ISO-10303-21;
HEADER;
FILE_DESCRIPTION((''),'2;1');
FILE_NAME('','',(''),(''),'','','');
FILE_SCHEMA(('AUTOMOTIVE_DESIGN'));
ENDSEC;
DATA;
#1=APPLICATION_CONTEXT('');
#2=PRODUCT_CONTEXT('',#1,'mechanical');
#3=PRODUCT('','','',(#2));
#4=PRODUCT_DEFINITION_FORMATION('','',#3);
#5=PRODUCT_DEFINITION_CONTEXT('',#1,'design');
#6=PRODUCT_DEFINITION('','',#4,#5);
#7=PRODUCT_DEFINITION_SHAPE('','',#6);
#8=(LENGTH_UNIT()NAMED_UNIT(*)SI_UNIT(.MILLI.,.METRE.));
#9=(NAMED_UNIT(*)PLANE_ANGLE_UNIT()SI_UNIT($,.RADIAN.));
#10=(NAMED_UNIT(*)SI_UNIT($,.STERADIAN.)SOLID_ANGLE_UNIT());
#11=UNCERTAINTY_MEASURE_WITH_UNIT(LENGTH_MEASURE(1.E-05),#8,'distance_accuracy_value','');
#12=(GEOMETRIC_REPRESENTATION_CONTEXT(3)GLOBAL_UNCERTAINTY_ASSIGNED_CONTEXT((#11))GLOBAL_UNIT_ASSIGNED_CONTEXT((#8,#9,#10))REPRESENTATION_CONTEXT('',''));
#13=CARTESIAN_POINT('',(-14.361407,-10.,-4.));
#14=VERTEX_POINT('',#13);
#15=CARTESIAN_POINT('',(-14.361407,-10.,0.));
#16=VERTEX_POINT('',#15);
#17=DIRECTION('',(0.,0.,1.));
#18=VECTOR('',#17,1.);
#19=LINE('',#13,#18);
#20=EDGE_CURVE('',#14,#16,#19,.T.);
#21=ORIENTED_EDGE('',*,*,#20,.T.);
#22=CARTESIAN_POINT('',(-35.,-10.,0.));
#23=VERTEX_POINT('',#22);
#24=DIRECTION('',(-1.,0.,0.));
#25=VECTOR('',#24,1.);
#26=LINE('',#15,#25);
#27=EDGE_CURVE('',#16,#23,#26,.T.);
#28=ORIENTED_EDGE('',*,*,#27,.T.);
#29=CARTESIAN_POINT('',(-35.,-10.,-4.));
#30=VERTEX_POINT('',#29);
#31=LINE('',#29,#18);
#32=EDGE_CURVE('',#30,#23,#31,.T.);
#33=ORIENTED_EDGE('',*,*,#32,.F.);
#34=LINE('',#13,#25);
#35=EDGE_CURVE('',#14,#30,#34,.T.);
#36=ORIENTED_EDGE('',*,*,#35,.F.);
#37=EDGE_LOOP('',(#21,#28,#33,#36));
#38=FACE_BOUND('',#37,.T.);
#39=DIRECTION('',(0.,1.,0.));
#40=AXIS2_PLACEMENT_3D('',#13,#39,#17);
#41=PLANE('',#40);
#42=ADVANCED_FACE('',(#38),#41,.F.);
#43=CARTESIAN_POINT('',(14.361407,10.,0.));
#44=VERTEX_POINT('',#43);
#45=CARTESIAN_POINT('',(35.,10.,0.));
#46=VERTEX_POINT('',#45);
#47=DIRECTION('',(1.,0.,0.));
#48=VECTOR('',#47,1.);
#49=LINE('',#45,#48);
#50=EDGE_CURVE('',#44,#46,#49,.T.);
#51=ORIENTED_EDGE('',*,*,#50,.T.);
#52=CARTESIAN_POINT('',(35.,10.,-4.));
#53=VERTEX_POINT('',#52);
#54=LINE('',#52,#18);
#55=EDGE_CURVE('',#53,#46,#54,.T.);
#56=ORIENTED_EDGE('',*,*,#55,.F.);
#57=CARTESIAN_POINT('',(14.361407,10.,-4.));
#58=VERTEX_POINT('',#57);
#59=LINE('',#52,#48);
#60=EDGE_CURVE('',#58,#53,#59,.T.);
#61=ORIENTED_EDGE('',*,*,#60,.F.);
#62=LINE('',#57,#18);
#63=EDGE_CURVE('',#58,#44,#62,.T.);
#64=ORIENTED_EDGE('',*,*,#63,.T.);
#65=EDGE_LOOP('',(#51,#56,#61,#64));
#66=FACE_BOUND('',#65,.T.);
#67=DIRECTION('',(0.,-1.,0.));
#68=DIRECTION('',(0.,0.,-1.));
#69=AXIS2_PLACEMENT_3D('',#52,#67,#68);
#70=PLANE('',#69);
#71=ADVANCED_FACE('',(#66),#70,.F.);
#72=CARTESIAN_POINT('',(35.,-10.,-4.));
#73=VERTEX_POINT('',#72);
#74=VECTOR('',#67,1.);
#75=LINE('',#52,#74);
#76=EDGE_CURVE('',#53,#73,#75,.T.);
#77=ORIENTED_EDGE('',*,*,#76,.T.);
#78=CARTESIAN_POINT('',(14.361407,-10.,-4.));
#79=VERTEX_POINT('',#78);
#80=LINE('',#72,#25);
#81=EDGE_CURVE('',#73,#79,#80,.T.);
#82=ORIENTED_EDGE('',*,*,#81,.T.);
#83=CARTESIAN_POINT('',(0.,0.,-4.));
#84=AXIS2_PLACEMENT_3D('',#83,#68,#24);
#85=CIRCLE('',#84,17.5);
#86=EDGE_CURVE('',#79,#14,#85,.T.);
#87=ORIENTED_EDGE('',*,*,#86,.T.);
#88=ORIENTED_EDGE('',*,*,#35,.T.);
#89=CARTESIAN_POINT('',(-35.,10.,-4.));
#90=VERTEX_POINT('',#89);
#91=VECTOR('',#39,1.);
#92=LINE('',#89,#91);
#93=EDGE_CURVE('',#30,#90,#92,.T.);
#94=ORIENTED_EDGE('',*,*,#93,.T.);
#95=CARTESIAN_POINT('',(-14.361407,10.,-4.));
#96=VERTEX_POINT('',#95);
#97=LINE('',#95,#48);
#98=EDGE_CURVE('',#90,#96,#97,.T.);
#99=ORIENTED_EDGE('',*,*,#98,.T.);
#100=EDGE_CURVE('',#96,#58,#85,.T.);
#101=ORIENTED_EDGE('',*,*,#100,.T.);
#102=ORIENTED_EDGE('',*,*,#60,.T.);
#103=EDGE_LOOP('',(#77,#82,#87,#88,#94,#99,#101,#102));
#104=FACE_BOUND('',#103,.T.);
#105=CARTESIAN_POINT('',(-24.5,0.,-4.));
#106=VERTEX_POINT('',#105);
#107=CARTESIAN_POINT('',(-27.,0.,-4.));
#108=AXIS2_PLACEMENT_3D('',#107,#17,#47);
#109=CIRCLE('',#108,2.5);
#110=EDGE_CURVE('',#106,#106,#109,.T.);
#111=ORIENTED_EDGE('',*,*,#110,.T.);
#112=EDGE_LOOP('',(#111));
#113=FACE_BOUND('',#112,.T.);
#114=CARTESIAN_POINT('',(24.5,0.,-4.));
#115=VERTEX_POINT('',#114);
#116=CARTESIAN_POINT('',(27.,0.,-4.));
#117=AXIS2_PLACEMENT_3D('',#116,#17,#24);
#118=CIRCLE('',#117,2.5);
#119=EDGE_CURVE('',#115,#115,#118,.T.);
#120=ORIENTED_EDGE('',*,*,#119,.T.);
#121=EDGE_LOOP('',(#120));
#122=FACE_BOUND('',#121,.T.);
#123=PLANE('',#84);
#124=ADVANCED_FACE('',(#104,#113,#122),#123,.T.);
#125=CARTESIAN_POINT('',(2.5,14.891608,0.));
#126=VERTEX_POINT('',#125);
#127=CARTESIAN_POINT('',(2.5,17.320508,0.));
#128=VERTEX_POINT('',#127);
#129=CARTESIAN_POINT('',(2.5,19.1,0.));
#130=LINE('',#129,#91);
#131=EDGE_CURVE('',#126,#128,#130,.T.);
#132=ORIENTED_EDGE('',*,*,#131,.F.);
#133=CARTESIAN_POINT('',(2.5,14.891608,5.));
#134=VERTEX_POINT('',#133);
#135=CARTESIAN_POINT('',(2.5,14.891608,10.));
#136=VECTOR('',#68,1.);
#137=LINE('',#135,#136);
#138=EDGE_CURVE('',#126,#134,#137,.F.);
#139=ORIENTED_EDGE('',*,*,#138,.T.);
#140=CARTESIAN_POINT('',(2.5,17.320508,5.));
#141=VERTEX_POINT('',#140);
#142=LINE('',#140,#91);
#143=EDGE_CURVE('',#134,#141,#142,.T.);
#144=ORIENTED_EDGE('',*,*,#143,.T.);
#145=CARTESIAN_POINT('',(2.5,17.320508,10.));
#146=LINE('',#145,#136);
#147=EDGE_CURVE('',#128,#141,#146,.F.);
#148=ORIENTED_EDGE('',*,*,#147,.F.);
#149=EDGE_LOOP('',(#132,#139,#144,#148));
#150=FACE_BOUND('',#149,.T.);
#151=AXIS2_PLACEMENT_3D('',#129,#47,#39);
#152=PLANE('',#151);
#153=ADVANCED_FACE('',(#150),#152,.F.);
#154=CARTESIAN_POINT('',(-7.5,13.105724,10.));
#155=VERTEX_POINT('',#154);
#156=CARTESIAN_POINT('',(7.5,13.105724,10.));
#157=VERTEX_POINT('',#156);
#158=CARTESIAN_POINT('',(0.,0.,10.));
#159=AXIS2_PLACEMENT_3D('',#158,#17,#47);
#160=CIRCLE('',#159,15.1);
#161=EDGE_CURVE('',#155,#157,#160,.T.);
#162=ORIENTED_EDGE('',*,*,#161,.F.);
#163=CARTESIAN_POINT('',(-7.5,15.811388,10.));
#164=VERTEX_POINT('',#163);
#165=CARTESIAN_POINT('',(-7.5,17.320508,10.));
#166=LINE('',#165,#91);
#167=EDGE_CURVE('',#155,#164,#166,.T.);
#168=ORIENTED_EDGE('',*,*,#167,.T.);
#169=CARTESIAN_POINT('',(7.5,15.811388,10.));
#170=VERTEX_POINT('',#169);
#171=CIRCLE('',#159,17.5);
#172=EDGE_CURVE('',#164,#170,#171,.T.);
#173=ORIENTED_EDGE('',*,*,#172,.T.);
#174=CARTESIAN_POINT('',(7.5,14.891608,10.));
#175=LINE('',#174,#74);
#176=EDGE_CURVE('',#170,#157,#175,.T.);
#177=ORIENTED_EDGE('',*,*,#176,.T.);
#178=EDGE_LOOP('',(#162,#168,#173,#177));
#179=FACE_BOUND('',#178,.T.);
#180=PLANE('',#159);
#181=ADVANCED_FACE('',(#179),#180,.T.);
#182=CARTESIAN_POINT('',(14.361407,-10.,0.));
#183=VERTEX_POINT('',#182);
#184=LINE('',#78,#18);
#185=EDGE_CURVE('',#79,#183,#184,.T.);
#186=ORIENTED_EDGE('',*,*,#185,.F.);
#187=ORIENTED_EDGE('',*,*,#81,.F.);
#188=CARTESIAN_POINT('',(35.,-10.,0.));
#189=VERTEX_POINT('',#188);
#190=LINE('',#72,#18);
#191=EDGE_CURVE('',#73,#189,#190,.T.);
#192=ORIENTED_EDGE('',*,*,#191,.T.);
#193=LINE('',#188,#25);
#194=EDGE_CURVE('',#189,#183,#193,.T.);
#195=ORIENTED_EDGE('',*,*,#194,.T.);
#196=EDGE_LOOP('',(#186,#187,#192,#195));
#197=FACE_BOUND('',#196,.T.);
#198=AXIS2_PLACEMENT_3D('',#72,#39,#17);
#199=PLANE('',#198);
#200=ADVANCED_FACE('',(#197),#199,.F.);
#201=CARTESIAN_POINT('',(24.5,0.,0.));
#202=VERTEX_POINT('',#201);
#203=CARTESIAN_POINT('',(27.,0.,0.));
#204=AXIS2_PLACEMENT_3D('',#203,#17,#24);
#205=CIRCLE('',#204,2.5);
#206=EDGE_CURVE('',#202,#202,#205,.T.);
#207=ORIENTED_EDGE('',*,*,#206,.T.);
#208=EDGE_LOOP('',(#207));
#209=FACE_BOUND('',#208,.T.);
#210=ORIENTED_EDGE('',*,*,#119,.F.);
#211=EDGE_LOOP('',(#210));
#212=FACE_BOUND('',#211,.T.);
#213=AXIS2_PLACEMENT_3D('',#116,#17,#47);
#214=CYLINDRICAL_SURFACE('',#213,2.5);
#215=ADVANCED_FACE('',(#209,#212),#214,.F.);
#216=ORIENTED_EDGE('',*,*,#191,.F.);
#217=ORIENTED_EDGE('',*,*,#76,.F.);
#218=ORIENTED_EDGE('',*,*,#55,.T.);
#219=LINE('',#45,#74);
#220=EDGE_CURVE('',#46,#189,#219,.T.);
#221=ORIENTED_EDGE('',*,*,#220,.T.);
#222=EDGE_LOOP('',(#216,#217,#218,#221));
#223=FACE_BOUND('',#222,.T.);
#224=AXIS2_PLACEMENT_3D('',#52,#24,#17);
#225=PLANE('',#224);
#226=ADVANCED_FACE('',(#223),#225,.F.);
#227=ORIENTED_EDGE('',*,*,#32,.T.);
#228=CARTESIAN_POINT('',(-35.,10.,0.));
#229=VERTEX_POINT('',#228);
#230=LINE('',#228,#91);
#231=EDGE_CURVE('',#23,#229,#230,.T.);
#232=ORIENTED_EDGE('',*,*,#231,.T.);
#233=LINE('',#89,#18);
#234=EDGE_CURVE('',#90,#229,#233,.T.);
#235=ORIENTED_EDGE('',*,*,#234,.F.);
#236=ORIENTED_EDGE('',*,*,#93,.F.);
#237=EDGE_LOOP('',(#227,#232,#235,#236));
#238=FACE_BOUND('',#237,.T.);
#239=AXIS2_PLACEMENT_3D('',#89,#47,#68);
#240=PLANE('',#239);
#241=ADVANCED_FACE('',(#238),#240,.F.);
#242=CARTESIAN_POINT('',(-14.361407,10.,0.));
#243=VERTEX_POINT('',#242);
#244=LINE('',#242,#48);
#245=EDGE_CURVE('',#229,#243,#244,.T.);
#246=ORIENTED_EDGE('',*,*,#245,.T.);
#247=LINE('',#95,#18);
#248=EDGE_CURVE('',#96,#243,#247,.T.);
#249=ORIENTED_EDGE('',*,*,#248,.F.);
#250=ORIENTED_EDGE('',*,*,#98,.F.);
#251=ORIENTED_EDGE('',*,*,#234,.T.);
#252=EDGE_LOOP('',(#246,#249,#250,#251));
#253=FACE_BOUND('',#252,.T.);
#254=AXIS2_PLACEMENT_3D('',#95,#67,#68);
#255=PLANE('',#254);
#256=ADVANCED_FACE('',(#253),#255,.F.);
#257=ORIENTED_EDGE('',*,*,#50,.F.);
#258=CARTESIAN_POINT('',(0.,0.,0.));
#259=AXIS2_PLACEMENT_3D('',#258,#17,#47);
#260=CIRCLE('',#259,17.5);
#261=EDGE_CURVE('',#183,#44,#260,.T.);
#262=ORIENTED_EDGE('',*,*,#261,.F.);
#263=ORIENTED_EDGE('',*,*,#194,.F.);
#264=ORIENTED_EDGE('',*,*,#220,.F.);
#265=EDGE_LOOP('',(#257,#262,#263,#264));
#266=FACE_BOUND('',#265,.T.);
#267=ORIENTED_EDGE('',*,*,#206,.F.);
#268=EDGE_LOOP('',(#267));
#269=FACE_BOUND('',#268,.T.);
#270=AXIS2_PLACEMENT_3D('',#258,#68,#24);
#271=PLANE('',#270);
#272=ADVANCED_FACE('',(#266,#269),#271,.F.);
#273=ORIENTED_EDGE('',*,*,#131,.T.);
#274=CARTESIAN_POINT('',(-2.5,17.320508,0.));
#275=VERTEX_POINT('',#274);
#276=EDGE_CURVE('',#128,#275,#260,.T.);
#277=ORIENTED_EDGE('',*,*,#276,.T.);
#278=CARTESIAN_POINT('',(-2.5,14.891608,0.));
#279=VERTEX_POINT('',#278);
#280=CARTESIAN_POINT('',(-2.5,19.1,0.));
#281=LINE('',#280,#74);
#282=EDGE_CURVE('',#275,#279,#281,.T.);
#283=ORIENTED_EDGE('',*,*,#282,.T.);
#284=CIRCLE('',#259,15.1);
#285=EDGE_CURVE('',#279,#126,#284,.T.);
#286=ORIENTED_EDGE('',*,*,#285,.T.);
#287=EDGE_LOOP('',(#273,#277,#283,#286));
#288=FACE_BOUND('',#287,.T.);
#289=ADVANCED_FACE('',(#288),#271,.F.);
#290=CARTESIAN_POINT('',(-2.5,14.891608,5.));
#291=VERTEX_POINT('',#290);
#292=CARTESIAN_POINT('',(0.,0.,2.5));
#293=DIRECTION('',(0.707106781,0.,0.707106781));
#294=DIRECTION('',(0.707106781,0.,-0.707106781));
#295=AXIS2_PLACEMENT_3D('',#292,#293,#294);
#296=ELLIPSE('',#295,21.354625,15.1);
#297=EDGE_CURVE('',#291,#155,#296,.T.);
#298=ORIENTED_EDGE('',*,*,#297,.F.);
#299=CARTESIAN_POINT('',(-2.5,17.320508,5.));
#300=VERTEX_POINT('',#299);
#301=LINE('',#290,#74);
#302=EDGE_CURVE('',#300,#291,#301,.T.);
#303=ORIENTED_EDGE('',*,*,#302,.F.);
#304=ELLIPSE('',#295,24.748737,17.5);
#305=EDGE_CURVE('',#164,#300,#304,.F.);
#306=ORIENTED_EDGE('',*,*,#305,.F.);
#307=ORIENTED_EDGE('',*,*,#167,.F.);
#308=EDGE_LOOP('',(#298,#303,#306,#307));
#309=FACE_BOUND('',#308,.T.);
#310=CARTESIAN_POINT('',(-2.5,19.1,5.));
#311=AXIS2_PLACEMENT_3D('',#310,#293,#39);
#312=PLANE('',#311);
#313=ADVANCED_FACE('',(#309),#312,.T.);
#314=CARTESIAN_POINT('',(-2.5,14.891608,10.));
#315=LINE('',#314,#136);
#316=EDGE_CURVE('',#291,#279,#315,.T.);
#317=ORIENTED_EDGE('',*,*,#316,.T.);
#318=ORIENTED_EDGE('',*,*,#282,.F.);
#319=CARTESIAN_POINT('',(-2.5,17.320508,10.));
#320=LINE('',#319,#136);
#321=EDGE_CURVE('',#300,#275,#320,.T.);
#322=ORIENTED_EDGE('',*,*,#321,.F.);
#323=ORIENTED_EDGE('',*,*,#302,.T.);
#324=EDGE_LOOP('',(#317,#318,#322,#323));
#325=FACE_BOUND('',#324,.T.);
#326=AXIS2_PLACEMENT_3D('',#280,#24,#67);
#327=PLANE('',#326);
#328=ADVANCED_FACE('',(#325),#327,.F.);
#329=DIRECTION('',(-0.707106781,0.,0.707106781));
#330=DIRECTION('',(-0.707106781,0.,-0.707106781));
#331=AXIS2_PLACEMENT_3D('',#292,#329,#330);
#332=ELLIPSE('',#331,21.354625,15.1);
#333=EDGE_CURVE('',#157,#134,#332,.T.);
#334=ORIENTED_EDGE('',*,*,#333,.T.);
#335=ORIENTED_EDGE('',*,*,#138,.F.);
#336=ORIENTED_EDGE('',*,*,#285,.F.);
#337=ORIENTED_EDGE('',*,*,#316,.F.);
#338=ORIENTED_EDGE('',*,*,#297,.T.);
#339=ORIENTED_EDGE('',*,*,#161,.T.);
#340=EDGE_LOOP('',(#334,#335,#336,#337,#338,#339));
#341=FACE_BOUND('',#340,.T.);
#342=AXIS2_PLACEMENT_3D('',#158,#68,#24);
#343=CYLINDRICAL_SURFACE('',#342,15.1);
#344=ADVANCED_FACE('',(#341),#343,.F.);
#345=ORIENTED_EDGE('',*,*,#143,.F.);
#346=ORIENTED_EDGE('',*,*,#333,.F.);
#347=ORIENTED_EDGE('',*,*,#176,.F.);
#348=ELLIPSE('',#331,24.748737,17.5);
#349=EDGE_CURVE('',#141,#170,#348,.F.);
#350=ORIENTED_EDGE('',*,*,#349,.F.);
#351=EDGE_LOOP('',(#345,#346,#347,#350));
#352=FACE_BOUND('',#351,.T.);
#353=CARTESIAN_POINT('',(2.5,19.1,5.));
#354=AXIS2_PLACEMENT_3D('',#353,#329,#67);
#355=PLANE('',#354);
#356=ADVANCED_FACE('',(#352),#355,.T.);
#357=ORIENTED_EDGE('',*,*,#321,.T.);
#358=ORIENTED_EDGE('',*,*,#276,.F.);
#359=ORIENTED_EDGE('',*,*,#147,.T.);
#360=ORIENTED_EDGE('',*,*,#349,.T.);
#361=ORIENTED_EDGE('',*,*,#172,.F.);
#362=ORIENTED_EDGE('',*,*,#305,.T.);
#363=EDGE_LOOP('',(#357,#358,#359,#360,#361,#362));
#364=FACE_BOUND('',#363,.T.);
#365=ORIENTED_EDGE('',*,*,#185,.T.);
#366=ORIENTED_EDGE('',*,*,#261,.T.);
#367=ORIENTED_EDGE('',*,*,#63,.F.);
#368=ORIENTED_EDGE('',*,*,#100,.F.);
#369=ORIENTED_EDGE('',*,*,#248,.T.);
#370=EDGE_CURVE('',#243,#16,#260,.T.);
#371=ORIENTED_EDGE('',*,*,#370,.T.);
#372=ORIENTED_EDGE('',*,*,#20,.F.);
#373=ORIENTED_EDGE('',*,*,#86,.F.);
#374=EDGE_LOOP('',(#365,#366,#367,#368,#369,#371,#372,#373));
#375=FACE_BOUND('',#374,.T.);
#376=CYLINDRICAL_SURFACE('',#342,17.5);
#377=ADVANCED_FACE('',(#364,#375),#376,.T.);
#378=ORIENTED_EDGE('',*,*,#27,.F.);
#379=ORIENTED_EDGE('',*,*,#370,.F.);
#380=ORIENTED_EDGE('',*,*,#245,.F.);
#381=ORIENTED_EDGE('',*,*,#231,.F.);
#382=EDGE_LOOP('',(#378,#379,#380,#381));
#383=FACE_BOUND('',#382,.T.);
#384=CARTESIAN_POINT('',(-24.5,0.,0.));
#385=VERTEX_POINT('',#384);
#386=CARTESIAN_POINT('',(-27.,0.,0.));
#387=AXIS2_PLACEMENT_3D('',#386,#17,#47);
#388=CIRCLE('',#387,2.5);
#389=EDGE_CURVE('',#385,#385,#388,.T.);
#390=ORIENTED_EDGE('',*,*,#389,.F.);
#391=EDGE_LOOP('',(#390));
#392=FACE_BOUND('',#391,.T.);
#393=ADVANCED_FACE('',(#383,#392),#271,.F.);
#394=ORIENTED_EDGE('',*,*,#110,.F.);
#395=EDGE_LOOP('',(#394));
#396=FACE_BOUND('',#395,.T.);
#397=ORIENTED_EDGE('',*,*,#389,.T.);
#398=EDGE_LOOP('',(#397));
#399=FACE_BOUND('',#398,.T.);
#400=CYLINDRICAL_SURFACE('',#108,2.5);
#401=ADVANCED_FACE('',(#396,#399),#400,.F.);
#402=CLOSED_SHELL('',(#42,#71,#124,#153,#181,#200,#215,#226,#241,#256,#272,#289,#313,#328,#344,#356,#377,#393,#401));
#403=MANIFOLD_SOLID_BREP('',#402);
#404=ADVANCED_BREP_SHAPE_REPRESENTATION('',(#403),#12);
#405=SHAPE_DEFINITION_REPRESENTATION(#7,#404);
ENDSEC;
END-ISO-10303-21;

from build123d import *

# Parameters (mm, degrees)
SKETCH1_R           = 17.5
SKETCH1_R_2         = 15.1
BOSS_EXTRUDE1_DEPTH = 10
BOSS_EXTRUDE2_DEPTH = 4
SKETCH3_R           = 2.5
CUT_EXTRUDE1_DEPTH  = 4
SKETCH4_W           = 5
SKETCH4_H           = 8
CUT_EXTRUDE2_DEPTH  = 10
CHAMFER1_SIZE       = 5


with BuildPart() as part:
    # Sketch1 → Boss-Extrude1 (new body)
    with BuildSketch(Plane.XY):
        Circle(SKETCH1_R)
        Circle(SKETCH1_R_2, mode=Mode.SUBTRACT)
    extrude(amount=BOSS_EXTRUDE1_DEPTH)

    # Sketch2 → Boss-Extrude2 (add)
    with BuildSketch(Plane(origin=(0, 0, 0), x_dir=(-1, 0, 0), z_dir=(0, 0, -1))):
        with BuildLine():
            Line((14.361406616, 10), (35, 10))
            Line((35, 10), (35, -10))
            Line((35, -10), (14.361406616, -10))
            ThreePointArc((14.361406616, -10), (0, -17.5), (-14.361406616, -10))
            Line((-14.361406616, -10), (-35, -10))
            Line((-35, -10), (-35, 10))
            Line((-35, 10), (-14.361406616, 10))
            ThreePointArc((-14.361406616, 10), (0, 17.5), (14.361406616, 10))
        make_face()
    extrude(amount=BOSS_EXTRUDE2_DEPTH)

    # Sketch3 → Cut-Extrude1 (cut)
    with BuildSketch(Plane.XY):
        with Locations((-27, 0)):
            Circle(SKETCH3_R)
        with Locations((27, 0)):
            Circle(SKETCH3_R)
    extrude(amount=-CUT_EXTRUDE1_DEPTH, mode=Mode.SUBTRACT)

    # Sketch4 → Cut-Extrude2 (cut)
    with BuildSketch(Plane.XY.offset(10)):
        with Locations((0, 15.1)):
            Rectangle(SKETCH4_W, SKETCH4_H)
    extrude(amount=-CUT_EXTRUDE2_DEPTH, mode=Mode.SUBTRACT)

    # Chamfer1
    chamfer1_edges = [part.edges().sort_by_distance(p)[0] for p in [
        (2.5, 16.106058225, 10),
        (-2.5, 16.106058225, 10),
    ]]
    chamfer(chamfer1_edges, length=CHAMFER1_SIZE)


solid = part.part
